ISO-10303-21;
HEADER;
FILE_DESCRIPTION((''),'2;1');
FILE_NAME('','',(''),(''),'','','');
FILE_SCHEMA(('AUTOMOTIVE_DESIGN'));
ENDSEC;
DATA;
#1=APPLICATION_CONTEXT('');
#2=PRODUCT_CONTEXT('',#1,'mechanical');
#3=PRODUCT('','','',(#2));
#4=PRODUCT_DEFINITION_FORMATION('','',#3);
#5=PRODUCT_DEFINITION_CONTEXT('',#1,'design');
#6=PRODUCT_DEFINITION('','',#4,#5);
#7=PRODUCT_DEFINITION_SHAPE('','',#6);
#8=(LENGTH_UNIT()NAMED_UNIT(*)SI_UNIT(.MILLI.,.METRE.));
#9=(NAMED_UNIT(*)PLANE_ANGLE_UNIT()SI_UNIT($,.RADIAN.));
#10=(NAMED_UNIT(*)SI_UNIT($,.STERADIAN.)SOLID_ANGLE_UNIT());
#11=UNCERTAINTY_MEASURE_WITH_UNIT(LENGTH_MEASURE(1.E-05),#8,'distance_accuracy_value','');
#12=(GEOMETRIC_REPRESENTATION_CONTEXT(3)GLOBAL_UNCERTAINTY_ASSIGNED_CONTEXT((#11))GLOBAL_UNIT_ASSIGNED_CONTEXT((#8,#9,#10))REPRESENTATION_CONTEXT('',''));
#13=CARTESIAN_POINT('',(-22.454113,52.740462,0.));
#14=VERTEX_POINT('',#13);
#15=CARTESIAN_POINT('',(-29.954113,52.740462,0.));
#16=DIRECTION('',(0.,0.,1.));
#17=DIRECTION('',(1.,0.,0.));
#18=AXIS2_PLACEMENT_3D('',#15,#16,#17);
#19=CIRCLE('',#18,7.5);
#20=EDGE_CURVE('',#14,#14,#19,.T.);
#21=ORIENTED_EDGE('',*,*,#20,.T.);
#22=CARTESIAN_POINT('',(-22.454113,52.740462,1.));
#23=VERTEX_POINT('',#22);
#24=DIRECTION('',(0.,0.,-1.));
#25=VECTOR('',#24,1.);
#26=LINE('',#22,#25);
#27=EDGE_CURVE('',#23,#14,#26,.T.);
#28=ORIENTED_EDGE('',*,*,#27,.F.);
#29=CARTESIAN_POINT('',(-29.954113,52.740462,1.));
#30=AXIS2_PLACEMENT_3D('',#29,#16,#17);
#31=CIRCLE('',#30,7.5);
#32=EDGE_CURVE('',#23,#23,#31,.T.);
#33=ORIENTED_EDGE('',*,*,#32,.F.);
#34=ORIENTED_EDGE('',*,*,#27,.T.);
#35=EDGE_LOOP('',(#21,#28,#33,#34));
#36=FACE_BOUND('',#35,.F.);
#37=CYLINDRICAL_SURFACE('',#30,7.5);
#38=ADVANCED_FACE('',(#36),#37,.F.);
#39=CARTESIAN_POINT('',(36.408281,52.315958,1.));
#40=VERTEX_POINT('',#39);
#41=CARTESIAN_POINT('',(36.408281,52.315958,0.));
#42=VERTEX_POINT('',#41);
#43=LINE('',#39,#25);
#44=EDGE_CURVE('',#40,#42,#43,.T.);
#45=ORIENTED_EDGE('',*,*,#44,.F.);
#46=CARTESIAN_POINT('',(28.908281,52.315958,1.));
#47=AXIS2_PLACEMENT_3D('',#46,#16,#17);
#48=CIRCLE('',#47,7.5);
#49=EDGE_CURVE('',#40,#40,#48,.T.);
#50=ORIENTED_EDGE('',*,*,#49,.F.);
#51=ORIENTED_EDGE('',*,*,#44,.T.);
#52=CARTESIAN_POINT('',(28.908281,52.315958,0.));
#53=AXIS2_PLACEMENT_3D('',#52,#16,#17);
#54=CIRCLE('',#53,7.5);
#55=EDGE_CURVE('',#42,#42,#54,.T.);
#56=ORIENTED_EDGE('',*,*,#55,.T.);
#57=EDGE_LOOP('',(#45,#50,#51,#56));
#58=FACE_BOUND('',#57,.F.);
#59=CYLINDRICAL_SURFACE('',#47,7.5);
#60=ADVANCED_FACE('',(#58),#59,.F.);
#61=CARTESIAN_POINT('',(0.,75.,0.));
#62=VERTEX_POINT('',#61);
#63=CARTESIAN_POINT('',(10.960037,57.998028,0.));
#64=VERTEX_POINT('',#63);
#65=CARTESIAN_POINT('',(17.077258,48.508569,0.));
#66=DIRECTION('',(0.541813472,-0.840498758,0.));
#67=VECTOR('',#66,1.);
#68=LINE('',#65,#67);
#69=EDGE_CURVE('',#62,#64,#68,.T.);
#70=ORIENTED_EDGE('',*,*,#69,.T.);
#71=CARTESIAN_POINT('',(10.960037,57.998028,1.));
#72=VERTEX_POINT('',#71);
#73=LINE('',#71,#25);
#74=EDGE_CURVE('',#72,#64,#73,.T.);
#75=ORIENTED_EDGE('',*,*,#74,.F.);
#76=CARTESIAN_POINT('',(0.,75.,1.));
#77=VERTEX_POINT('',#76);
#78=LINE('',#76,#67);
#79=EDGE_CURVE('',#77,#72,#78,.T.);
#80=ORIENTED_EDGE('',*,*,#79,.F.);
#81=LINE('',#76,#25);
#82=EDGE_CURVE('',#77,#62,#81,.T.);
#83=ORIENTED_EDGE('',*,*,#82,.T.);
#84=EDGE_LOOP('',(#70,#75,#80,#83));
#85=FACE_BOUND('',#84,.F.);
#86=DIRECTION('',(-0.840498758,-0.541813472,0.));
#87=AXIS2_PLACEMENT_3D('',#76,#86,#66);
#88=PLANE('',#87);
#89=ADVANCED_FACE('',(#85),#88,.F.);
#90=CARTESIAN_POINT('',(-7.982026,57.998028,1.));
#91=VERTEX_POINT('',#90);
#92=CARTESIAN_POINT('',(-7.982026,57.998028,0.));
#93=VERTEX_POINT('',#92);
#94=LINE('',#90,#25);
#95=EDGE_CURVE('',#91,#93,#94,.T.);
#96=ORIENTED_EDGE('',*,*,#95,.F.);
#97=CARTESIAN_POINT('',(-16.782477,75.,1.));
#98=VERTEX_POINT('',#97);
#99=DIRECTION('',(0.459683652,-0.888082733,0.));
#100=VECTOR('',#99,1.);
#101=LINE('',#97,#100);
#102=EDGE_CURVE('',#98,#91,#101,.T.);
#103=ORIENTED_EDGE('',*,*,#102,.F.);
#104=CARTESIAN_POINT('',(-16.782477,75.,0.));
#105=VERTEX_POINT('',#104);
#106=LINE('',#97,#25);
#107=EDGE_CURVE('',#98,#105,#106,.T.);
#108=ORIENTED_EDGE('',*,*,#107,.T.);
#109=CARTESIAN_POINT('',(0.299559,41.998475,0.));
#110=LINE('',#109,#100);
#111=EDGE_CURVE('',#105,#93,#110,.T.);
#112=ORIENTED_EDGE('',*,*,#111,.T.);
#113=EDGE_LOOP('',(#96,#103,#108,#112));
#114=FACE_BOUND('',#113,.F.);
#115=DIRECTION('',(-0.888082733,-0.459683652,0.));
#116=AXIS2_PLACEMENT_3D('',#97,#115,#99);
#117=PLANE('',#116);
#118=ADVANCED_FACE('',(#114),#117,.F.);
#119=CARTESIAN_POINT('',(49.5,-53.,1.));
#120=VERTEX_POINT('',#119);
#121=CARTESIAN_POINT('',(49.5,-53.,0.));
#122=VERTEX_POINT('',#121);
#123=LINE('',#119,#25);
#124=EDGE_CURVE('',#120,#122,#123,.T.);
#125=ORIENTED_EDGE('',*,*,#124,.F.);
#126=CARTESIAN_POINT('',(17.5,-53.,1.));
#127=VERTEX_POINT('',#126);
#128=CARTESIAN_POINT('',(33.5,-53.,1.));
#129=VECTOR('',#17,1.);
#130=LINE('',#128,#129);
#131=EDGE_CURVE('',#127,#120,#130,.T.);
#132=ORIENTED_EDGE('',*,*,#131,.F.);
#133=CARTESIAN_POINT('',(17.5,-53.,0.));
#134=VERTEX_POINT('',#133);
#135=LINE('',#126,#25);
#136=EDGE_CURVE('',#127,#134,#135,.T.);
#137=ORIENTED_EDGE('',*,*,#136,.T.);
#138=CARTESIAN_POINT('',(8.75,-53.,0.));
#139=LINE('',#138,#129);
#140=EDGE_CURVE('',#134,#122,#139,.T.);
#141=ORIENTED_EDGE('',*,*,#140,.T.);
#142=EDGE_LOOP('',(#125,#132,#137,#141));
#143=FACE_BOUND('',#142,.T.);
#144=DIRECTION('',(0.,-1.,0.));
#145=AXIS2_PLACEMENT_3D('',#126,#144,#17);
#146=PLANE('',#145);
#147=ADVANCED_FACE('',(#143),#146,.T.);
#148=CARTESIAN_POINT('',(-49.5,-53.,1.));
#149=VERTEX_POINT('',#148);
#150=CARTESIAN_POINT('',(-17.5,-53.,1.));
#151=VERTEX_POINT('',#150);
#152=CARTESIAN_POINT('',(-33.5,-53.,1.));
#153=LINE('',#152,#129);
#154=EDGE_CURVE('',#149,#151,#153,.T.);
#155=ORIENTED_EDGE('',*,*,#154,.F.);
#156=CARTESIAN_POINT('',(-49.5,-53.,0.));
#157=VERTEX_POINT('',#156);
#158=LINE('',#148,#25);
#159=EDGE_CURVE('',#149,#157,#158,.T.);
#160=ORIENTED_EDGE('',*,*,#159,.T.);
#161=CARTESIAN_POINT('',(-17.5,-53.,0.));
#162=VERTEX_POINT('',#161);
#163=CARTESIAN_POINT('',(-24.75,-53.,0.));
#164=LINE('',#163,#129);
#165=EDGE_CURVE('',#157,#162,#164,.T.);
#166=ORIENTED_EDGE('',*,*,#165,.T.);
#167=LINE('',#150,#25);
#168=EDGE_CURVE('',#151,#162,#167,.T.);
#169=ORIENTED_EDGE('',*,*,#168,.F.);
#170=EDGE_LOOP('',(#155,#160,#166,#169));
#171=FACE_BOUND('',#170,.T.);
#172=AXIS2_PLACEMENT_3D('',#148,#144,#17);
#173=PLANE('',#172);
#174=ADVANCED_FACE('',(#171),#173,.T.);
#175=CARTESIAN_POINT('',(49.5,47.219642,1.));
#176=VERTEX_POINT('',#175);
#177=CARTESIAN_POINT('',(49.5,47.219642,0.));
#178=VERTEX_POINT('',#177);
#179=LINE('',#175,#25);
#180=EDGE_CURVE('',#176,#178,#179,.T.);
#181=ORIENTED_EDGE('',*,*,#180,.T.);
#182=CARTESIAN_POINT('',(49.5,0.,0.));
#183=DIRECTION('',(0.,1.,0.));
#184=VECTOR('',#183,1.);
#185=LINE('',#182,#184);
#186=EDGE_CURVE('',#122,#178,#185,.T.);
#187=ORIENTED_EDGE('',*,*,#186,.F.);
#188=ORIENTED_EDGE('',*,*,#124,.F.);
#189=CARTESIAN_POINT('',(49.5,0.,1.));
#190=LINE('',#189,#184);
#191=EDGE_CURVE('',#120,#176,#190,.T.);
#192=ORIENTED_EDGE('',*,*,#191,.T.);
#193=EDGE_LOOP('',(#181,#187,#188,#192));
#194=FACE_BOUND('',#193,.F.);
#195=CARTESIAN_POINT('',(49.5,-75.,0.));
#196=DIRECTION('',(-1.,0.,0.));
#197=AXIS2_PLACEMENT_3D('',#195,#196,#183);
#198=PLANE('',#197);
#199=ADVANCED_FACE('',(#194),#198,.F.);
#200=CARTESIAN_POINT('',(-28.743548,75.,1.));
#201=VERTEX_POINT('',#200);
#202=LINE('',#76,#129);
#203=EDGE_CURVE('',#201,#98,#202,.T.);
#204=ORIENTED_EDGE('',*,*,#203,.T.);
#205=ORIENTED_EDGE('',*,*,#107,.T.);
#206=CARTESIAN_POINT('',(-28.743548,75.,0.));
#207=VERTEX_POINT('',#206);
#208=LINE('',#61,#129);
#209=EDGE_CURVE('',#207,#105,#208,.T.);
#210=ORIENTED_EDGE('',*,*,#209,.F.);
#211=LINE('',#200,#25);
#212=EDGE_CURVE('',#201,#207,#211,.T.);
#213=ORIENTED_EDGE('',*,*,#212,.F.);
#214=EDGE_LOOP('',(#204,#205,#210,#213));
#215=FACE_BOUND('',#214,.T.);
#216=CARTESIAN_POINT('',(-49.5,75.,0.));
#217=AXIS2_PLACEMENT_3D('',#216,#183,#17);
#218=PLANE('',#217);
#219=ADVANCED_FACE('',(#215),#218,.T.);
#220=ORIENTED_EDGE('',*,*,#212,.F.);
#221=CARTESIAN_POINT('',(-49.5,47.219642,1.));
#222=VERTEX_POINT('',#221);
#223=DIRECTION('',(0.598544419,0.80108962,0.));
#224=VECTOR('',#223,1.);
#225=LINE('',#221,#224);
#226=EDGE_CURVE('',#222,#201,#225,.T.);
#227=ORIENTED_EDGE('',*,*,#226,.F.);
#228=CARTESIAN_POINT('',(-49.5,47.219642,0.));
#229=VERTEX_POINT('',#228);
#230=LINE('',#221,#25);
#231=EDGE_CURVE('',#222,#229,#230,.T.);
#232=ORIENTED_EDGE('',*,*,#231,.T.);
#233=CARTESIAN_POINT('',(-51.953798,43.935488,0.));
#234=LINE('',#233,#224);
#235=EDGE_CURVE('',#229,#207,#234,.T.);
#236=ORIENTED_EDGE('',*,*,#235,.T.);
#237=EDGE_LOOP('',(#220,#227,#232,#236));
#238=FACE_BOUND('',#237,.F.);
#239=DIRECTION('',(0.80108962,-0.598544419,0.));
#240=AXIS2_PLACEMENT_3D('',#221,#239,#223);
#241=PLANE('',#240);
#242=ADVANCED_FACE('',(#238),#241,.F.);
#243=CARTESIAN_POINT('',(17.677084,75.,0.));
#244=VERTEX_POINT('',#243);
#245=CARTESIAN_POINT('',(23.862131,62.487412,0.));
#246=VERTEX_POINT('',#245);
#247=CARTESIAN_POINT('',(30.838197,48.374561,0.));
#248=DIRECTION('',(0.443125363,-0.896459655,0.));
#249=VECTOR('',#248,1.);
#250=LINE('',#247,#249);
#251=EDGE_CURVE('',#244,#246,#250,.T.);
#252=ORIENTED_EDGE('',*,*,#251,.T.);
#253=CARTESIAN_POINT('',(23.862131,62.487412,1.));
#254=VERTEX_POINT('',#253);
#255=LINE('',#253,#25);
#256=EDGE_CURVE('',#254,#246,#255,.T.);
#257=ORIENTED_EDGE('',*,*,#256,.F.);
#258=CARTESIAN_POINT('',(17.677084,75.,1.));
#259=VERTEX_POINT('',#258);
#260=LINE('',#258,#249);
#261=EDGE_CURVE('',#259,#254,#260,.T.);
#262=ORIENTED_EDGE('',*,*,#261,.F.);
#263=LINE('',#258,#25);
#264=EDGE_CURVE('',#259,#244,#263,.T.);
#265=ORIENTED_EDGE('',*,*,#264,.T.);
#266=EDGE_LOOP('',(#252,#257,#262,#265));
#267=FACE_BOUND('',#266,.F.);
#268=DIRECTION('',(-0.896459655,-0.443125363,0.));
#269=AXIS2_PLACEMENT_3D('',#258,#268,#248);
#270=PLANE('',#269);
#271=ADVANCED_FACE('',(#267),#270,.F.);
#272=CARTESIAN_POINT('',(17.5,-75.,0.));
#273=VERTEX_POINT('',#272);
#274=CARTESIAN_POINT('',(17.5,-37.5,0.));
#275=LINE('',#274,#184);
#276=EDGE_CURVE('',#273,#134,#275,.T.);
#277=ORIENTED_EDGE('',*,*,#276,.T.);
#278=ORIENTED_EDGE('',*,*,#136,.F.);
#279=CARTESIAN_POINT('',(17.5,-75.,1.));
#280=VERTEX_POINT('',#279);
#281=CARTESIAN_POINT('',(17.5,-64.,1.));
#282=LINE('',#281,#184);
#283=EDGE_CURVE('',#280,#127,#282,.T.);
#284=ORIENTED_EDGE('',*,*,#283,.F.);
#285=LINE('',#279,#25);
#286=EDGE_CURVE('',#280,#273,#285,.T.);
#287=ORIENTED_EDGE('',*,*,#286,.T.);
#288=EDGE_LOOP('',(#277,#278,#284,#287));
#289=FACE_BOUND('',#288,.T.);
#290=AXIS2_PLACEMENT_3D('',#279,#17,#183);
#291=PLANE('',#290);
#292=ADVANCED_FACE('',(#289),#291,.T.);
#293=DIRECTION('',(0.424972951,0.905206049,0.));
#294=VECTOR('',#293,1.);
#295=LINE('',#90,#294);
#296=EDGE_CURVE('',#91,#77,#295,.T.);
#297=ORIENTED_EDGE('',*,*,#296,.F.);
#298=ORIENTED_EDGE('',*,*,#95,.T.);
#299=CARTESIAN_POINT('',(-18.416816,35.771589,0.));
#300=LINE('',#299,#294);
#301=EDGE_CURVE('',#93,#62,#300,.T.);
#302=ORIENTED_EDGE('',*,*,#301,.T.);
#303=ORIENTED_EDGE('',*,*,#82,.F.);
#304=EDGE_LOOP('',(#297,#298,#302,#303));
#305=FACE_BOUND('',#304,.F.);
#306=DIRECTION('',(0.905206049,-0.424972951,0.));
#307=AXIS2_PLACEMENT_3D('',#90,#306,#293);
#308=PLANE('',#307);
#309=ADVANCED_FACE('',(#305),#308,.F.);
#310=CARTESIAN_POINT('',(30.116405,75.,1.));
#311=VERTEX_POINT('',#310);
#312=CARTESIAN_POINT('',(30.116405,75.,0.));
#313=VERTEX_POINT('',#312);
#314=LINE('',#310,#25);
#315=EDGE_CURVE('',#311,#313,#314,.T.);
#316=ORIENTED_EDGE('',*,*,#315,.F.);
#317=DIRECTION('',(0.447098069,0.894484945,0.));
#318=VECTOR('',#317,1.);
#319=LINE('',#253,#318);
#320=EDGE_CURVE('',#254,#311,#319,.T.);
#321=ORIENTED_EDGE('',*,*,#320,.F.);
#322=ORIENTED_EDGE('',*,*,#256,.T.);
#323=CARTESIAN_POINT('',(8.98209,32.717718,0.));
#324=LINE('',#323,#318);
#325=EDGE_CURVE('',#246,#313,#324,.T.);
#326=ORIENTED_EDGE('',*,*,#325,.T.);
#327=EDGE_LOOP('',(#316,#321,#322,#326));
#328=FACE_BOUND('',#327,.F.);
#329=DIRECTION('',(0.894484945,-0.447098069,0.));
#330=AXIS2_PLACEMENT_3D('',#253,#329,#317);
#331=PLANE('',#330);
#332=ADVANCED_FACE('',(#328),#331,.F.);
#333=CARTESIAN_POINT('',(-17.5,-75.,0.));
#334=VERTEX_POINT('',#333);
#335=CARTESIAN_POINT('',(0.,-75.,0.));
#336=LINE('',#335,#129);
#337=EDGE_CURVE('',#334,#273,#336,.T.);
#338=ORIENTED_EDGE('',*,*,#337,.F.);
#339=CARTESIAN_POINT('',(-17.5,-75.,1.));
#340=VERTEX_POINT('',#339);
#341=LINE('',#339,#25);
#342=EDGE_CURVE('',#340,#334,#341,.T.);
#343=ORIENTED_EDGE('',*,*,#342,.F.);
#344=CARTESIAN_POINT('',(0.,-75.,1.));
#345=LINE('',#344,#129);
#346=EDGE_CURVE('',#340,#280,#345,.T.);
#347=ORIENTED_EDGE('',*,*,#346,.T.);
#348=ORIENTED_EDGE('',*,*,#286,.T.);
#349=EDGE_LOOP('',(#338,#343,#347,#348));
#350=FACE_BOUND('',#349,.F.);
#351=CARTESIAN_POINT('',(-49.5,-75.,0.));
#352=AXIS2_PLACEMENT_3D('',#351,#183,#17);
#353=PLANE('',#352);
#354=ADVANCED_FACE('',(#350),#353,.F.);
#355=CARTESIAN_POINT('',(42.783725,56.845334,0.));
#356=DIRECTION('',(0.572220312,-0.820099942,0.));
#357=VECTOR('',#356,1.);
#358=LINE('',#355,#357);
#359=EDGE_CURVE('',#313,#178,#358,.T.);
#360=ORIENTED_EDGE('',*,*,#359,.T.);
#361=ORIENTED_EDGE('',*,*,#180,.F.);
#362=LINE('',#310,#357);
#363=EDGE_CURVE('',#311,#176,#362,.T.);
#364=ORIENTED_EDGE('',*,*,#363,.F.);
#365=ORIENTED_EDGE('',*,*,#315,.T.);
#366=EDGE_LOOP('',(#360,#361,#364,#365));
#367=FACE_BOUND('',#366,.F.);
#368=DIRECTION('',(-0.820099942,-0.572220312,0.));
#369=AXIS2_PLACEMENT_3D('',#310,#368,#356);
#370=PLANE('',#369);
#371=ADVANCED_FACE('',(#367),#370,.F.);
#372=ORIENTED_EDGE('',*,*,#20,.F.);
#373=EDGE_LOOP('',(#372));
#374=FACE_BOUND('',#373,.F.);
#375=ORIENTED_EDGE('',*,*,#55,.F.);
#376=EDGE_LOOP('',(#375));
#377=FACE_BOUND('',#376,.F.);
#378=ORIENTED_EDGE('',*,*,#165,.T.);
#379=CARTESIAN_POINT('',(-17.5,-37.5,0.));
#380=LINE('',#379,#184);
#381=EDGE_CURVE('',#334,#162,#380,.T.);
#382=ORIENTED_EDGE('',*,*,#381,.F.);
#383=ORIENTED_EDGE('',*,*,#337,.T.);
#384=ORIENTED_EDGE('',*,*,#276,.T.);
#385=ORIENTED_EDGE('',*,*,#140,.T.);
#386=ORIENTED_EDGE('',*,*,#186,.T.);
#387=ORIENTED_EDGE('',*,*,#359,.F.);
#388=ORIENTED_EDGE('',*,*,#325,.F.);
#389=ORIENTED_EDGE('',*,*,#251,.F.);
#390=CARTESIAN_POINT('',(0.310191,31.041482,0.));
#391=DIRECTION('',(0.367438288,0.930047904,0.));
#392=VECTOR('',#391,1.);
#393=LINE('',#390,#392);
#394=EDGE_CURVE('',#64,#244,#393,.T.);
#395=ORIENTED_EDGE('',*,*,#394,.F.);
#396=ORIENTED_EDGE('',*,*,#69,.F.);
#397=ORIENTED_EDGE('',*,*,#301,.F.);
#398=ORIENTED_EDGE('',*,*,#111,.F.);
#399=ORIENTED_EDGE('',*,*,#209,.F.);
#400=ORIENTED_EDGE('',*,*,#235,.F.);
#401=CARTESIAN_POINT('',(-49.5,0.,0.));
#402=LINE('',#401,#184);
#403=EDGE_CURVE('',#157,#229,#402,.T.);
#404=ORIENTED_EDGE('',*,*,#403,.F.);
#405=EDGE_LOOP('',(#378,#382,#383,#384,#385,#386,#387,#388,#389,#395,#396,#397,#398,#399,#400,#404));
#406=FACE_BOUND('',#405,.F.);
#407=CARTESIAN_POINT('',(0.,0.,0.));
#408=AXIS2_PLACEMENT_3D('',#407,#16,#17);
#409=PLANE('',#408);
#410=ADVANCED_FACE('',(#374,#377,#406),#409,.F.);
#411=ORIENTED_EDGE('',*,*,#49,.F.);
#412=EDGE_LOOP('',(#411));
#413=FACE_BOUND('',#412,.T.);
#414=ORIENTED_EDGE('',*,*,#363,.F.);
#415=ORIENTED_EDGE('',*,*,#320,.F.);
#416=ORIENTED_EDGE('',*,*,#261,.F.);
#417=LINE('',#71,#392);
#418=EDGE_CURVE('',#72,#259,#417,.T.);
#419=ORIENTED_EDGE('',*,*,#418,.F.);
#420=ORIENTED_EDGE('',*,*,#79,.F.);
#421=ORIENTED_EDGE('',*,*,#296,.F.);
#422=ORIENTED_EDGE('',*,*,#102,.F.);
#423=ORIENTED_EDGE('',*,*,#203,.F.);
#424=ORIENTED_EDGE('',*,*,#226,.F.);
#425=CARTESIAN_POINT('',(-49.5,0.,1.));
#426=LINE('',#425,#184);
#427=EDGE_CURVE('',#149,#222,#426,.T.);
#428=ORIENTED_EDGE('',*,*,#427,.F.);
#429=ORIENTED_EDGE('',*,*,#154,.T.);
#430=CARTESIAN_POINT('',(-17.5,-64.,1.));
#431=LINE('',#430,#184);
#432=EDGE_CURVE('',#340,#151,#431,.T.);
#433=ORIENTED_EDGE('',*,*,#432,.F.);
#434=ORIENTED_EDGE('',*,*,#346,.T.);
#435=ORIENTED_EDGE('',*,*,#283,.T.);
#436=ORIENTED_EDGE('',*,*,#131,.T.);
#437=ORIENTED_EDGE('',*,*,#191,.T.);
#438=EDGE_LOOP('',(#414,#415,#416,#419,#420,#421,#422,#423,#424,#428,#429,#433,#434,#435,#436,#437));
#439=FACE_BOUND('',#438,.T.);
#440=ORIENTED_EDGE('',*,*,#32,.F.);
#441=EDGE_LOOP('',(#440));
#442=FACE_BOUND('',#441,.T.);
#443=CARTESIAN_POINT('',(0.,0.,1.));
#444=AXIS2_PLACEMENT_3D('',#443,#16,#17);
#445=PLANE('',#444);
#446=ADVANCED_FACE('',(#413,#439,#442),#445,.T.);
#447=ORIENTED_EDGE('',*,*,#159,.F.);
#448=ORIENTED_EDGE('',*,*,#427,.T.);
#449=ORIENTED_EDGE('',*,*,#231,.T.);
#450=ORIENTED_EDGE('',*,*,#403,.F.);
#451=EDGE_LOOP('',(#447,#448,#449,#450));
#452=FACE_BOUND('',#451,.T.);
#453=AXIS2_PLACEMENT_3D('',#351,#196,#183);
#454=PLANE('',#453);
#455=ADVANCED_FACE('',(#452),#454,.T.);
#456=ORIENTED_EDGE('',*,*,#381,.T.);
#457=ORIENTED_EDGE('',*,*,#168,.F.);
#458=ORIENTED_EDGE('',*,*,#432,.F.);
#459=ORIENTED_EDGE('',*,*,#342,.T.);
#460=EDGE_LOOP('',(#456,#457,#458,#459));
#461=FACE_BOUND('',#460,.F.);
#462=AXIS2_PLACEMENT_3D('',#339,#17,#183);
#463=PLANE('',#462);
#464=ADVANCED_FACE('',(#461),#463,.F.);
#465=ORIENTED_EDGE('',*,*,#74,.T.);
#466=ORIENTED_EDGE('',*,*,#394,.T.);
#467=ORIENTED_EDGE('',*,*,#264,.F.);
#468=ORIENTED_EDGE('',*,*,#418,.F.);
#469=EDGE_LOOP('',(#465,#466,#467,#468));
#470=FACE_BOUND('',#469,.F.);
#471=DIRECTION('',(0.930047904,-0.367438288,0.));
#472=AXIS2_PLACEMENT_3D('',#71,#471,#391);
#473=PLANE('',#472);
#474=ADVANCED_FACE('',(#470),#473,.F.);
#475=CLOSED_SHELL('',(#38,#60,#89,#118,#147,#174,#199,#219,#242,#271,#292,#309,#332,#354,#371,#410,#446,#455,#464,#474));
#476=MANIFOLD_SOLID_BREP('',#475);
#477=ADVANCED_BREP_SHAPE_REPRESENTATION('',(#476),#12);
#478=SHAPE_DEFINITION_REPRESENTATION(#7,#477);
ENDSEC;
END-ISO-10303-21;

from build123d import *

# Parameters (mm, degrees)
F0_W     = 99
F0_H     = 150
F1_DEPTH = 1
F3_DEPTH = 25
F2_R     = 7.5
F2_W     = 32
F2_H     = 22
F4_DEPTH = 25
F5_DEPTH = 25


with BuildPart() as f1:
    # F0 (on Top) → F1 (new body)
    with BuildSketch(Plane.XY):
        Rectangle(F0_W, F0_H)
    extrude(amount=F1_DEPTH)

    # F2 (on face) → F3 (cut)
    with BuildSketch(Plane.XY.offset(1)):
        Polygon((30.116405, 75), (49.5, 47.219642), (49.5, 75), align=None)
        Polygon((-49.5, 47.219642), (-28.743548, 75), (-49.5, 75), align=None)
        Polygon((10.960037, 57.998028), (17.677084, 75), (0, 75), align=None)
        Polygon((23.862131, 62.487412), (30.116405, 75), (17.677084, 75), align=None)
        Polygon((-7.982026, 57.998028), (0, 75), (-16.782477, 75), align=None)
    extrude(amount=-F3_DEPTH, mode=Mode.SUBTRACT)

    # F2 (on face) → F4 (cut)
    with BuildSketch(Plane.XY.offset(1)):
        with Locations((-29.954113, 52.740462)):
            Circle(F2_R)
        with Locations((-33.5, -64)):
            Rectangle(F2_W, F2_H)
        with Locations((33.5, -64)):
            Rectangle(F2_W, F2_H)
        with Locations((28.908281, 52.315958)):
            Circle(F2_R)
    extrude(amount=-F4_DEPTH, mode=Mode.SUBTRACT)

    # F2 (on face) → F5 (cut)
    with BuildSketch(Plane.XY.offset(1)):
        with Locations((33.5, -64)):
            Rectangle(F2_W, F2_H)
        with Locations((-33.5, -64)):
            Rectangle(F2_W, F2_H)
    extrude(amount=-F5_DEPTH, mode=Mode.SUBTRACT)


solid = f1.part
